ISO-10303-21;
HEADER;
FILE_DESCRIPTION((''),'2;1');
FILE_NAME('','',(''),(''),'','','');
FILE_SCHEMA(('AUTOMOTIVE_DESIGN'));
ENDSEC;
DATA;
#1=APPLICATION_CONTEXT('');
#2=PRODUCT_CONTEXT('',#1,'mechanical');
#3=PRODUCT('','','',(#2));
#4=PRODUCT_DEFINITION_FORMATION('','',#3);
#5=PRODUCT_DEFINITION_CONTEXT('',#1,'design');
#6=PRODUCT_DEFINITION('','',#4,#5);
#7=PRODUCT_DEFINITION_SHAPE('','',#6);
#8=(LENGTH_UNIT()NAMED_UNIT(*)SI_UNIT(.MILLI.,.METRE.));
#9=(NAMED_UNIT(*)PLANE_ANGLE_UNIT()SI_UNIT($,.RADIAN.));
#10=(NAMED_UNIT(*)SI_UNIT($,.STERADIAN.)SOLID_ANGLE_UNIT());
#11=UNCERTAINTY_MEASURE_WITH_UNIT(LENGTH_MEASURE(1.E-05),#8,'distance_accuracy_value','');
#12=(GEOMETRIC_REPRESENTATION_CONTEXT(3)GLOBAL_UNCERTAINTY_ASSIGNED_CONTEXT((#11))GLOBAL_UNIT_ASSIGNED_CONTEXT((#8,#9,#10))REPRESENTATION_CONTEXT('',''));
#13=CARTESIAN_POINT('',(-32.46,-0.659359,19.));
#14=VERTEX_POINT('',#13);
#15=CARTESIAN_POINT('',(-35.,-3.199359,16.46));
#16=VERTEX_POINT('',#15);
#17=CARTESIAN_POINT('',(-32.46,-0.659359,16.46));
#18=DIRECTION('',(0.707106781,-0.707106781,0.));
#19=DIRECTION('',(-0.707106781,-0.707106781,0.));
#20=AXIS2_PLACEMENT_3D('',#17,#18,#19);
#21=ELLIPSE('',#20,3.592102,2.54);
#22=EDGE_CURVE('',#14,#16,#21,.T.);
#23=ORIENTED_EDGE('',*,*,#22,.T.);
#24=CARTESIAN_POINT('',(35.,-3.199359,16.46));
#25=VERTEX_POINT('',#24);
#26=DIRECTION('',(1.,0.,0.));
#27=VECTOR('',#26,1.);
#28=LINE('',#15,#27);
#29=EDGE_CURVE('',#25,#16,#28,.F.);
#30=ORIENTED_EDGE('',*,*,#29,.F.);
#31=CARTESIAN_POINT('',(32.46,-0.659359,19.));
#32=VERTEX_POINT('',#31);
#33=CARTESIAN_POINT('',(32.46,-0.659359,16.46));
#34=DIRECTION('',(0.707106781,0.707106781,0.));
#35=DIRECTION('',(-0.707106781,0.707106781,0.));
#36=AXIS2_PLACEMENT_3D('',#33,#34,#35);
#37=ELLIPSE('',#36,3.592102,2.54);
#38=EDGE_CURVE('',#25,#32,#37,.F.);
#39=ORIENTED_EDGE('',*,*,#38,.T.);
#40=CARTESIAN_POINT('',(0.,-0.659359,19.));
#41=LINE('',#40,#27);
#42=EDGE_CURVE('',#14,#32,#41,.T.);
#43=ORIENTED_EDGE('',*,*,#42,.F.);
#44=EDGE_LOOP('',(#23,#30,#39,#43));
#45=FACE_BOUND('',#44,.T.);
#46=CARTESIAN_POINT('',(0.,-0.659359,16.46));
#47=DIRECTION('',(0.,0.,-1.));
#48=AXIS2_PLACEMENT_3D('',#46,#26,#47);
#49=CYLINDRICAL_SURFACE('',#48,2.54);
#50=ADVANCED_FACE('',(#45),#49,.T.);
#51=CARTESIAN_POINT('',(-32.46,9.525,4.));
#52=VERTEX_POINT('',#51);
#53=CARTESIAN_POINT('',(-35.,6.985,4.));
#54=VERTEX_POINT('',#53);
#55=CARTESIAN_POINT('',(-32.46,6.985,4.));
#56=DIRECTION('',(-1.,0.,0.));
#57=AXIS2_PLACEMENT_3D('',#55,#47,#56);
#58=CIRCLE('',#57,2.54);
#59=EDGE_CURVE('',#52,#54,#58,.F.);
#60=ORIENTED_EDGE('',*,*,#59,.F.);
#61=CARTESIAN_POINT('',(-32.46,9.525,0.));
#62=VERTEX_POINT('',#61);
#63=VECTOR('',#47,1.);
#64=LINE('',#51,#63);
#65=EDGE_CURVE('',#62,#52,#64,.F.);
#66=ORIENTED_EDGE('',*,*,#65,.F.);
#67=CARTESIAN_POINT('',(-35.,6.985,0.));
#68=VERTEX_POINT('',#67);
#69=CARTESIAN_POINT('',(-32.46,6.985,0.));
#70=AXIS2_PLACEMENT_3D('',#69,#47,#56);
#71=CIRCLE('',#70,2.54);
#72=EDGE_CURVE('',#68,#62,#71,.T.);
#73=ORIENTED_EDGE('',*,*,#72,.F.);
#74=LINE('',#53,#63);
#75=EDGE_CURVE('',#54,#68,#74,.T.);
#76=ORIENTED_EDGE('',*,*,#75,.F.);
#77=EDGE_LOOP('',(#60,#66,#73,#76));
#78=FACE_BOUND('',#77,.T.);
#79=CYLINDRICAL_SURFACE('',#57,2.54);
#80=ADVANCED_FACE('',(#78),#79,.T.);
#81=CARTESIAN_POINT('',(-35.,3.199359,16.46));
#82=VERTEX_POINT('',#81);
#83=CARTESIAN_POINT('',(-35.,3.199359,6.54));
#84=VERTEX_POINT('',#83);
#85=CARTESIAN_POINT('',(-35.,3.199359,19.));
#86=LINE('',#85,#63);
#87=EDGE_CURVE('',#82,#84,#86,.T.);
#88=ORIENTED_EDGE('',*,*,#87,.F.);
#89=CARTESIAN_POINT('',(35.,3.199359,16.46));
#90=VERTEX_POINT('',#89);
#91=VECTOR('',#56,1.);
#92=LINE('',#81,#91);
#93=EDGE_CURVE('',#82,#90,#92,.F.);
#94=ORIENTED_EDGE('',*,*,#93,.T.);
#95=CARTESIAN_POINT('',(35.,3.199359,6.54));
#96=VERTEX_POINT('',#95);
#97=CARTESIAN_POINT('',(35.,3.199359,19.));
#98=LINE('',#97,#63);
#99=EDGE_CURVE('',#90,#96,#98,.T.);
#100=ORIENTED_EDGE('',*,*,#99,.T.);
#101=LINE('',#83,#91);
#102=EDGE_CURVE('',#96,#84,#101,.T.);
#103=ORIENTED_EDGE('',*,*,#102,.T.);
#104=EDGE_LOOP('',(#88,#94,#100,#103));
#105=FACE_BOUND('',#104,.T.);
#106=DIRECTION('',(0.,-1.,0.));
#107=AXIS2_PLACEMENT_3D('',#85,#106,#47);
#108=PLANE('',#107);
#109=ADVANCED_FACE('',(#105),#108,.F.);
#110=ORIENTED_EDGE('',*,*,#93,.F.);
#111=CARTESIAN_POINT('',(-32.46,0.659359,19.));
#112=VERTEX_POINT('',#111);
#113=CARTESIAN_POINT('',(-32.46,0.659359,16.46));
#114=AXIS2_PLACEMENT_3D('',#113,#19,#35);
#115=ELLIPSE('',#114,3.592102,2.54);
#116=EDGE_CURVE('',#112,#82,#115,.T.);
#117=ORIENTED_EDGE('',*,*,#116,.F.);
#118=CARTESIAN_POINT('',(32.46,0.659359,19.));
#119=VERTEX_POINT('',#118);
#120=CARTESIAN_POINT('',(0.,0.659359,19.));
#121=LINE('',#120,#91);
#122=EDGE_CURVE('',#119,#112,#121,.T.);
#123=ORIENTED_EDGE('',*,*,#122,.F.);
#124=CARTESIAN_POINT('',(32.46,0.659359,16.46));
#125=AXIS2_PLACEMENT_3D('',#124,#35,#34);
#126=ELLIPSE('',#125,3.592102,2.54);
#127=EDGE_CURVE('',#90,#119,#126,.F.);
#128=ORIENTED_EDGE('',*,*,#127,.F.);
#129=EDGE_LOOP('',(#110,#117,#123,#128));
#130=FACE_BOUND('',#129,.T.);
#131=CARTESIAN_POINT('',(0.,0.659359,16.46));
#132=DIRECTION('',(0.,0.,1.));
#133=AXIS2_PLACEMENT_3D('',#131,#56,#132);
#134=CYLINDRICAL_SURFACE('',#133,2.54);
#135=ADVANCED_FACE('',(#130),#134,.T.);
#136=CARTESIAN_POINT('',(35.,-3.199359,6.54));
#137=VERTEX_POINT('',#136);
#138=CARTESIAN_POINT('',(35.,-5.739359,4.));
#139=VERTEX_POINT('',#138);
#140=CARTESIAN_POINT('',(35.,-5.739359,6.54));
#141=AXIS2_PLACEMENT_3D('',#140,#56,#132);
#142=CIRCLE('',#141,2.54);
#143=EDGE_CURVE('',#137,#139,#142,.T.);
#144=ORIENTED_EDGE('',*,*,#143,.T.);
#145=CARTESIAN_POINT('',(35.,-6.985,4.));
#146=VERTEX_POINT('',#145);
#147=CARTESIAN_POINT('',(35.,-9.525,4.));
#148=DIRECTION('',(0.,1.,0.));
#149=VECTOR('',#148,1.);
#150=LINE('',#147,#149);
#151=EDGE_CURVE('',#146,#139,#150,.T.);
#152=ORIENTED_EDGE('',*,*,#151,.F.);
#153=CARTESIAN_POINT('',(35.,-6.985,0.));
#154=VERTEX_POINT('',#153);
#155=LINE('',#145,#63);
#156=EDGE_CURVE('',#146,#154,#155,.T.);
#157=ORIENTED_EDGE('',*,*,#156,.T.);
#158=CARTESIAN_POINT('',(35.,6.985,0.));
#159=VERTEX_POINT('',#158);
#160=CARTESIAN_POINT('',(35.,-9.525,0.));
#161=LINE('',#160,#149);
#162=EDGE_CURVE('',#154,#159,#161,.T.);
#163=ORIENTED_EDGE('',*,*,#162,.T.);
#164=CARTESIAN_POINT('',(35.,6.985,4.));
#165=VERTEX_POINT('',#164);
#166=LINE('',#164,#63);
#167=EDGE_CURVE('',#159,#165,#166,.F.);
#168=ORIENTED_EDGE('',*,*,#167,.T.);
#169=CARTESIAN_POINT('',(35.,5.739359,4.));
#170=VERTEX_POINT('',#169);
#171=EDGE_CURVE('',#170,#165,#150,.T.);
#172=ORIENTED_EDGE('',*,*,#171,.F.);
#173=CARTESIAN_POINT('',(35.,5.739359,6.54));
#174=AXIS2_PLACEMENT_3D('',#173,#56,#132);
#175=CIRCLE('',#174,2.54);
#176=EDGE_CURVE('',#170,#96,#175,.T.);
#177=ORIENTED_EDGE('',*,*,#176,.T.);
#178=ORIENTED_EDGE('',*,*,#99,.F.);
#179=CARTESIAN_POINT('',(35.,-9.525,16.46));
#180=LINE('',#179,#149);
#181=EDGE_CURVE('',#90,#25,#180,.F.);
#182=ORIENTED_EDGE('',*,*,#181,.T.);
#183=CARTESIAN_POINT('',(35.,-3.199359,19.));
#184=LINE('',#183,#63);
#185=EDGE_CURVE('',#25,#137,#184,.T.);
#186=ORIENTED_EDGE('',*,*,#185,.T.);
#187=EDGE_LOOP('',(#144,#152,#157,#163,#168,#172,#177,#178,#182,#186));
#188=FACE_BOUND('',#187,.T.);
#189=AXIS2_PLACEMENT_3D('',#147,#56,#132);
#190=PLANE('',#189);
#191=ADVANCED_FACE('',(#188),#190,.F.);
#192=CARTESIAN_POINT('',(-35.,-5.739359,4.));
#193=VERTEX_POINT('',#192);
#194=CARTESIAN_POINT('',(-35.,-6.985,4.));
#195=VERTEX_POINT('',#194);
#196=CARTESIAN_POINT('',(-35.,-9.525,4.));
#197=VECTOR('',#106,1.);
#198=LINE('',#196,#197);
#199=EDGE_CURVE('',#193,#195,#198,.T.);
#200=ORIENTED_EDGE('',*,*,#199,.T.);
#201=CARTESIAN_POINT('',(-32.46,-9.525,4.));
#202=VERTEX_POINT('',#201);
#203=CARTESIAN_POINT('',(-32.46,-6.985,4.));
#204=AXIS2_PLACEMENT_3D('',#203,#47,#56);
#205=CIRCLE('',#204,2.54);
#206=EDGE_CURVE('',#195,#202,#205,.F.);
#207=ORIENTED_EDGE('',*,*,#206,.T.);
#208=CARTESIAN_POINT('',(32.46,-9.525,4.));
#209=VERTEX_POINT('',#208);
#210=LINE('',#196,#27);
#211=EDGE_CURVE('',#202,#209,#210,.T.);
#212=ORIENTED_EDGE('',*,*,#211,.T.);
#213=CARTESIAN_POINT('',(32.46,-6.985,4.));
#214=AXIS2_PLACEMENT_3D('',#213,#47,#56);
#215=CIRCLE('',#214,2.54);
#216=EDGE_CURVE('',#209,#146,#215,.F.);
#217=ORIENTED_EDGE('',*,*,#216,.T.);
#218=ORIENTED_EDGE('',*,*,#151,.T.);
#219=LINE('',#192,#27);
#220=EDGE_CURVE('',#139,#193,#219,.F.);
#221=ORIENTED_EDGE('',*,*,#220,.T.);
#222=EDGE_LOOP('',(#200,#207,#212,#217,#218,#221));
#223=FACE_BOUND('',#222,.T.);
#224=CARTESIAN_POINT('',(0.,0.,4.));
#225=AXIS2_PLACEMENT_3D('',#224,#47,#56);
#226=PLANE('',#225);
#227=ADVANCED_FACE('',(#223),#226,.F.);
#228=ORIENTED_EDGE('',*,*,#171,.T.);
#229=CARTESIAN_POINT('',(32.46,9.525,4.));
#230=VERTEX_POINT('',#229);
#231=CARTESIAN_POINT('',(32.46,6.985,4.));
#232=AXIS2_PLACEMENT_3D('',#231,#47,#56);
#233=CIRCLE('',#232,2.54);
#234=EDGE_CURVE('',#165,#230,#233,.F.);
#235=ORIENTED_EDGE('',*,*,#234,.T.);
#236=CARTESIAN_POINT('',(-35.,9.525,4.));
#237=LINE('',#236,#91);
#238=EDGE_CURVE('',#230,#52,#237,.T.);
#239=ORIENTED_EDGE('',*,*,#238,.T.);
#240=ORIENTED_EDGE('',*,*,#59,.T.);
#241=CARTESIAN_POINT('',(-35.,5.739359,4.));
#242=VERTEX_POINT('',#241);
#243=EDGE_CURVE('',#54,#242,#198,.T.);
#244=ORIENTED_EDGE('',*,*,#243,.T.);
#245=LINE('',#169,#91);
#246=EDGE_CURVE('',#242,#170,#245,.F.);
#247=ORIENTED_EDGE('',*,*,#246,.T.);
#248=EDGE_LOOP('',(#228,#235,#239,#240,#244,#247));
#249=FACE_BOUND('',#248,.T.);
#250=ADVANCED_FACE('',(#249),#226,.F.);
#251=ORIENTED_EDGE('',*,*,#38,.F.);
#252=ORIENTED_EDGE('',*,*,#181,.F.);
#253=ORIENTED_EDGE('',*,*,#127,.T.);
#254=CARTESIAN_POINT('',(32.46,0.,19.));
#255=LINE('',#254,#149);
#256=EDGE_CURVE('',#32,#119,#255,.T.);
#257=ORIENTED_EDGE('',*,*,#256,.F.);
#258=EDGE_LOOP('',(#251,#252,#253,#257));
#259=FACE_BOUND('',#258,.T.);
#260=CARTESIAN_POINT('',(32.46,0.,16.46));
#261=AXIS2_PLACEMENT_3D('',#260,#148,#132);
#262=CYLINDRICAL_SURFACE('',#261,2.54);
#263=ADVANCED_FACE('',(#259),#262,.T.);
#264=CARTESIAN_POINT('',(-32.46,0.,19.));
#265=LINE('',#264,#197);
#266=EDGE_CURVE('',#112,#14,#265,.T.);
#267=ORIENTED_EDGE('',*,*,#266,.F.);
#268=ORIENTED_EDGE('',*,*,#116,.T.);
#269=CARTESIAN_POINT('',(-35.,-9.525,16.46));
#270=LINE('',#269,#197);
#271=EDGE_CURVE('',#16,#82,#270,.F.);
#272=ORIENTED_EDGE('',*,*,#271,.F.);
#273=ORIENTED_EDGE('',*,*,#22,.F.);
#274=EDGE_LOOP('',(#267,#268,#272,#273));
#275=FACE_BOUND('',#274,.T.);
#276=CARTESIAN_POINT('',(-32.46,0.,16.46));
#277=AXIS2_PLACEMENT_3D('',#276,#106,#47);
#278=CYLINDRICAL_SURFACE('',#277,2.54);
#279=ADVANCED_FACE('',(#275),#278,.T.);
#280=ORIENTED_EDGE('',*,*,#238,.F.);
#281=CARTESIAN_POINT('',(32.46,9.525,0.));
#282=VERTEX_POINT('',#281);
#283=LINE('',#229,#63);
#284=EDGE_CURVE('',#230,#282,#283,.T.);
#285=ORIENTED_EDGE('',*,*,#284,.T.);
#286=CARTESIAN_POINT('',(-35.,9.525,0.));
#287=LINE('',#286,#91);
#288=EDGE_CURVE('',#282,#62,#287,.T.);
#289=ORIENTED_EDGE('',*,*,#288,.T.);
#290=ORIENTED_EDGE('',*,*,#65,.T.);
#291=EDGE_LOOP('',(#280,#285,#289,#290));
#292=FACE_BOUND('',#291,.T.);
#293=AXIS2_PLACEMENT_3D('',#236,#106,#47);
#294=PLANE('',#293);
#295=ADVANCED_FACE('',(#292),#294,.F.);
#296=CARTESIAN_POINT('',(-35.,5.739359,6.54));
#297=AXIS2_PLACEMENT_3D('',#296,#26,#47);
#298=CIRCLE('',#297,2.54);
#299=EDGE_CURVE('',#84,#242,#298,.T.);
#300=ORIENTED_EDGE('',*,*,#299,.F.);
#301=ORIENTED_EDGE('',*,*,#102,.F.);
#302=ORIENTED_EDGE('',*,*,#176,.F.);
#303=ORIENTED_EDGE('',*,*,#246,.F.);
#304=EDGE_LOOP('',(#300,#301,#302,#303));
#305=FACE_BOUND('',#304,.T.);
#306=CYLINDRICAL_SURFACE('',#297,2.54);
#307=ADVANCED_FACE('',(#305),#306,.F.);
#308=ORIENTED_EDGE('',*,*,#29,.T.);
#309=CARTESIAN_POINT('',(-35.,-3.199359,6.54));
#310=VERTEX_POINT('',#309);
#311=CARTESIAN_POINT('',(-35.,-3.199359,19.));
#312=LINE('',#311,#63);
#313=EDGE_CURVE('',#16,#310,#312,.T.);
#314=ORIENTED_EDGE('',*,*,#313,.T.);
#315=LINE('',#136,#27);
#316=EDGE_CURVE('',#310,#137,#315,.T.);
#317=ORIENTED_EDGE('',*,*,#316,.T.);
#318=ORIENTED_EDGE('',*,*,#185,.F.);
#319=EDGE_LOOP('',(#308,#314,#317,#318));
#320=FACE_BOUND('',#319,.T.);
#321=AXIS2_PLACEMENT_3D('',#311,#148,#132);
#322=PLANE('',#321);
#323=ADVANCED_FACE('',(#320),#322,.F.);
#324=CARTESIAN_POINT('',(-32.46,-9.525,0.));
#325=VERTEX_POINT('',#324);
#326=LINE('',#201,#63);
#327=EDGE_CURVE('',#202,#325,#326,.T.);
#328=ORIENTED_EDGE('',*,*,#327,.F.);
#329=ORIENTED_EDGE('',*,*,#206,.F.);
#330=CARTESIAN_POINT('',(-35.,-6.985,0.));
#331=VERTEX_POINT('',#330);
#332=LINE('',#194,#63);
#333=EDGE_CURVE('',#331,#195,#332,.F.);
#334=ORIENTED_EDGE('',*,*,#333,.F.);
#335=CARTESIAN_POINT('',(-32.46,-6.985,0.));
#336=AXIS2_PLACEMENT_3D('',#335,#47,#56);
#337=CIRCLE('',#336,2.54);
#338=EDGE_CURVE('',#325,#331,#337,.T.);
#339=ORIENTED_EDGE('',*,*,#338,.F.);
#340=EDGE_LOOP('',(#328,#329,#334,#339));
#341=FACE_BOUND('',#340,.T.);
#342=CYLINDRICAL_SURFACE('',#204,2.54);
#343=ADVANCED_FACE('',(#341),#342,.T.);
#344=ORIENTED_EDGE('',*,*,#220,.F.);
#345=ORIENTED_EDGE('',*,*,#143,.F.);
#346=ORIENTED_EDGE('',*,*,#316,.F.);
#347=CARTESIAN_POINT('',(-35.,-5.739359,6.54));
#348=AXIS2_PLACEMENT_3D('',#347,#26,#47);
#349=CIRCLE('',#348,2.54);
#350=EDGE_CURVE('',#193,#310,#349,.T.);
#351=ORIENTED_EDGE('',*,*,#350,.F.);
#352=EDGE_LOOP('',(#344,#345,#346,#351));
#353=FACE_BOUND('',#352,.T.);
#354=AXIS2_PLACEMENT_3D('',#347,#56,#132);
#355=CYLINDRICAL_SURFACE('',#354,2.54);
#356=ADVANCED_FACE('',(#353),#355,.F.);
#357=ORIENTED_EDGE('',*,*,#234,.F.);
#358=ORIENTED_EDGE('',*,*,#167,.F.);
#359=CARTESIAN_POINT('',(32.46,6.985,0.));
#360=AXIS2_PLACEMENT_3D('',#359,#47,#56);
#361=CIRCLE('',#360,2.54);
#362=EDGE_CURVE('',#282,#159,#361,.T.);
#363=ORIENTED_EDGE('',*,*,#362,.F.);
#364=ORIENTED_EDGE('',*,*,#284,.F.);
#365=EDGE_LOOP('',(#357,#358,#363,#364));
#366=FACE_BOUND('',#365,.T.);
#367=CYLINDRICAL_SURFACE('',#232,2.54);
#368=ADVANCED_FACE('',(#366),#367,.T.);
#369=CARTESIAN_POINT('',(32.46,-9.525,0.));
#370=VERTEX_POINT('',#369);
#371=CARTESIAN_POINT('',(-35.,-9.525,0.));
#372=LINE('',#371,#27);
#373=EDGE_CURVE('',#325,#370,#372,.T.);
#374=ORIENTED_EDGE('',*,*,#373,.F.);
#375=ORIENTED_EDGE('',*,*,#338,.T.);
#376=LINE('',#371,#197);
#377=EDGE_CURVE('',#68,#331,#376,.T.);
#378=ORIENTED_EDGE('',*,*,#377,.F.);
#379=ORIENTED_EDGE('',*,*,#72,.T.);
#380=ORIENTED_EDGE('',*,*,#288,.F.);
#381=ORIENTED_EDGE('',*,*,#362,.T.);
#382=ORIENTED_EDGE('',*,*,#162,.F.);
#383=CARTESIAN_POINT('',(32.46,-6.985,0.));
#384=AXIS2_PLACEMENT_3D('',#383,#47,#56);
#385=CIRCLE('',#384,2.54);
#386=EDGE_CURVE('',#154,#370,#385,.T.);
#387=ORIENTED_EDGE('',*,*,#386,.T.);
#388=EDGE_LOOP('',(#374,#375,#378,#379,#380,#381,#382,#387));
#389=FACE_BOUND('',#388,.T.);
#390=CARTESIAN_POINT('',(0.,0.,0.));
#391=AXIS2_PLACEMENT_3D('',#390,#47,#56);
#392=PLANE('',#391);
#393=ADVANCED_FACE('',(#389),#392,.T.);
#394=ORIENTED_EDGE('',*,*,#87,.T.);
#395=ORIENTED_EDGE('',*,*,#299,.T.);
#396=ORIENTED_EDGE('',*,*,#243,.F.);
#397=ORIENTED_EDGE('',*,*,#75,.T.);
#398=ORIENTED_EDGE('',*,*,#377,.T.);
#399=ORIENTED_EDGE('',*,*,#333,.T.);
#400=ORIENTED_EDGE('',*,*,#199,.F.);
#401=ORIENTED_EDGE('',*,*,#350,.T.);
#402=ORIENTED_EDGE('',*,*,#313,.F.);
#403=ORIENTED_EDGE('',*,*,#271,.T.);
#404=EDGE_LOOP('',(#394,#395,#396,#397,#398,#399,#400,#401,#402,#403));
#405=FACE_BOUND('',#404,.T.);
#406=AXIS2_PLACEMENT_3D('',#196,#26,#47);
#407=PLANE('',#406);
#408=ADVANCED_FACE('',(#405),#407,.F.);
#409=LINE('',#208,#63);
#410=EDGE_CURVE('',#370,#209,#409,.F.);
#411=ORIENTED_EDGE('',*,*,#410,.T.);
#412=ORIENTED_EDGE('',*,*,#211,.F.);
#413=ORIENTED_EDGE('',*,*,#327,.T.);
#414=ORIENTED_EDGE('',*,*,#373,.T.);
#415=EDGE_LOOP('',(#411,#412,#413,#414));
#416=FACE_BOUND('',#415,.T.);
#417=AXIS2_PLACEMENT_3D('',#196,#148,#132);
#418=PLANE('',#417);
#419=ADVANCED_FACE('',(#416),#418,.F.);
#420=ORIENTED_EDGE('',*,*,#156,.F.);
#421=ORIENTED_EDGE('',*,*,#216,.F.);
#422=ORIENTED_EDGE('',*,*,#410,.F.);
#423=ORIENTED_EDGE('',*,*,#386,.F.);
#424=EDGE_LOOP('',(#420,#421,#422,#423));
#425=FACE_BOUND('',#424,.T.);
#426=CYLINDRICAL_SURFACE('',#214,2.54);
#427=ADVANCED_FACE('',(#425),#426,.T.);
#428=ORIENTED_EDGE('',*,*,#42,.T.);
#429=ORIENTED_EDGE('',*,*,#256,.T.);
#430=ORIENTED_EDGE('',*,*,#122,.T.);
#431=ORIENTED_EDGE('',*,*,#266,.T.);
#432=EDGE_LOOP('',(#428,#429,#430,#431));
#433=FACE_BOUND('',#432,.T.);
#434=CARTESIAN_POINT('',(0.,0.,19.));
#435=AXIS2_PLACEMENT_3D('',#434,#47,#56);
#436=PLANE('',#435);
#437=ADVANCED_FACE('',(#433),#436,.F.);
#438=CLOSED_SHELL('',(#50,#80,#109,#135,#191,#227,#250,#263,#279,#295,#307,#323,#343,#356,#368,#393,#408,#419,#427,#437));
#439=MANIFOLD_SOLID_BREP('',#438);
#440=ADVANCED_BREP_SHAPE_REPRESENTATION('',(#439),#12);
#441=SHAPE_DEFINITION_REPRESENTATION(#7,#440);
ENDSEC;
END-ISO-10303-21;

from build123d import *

# Parameters (mm, degrees)
SKETCH1_W           = 70
SKETCH1_H           = 19.05
BOSS_EXTRUDE1_DEPTH = 4
SKETCH2_W           = 70
SKETCH2_H           = 6.398717948
BOSS_EXTRUDE2_DEPTH = 15
FILLET1_R           = 2.54


with BuildPart() as part:
    # Sketch1 → Boss-Extrude1 (new body)
    with BuildSketch(Plane.XY):
        Rectangle(SKETCH1_W, SKETCH1_H)
    extrude(amount=BOSS_EXTRUDE1_DEPTH)

    # Sketch2 → Boss-Extrude2 (add)
    with BuildSketch(Plane.XY.offset(4)):
        Rectangle(SKETCH2_W, SKETCH2_H)
    extrude(amount=BOSS_EXTRUDE2_DEPTH)

    # Fillet1
    fillet1_edges = [part.edges().sort_by_distance(p)[0] for p in [
        (0, 3.199358974, 4),
        (0, -3.199358974, 4),
        (35, 0, 19),
        (0, 3.199358974, 19),
        (-35, 0, 19),
        (0, -3.199358974, 19),
        (35, -9.525, 2),
        (-35, -9.525, 2),
        (-35, 9.525, 2),
        (35, 9.525, 2),
    ]]
    fillet(fillet1_edges, radius=FILLET1_R)


solid = part.part
